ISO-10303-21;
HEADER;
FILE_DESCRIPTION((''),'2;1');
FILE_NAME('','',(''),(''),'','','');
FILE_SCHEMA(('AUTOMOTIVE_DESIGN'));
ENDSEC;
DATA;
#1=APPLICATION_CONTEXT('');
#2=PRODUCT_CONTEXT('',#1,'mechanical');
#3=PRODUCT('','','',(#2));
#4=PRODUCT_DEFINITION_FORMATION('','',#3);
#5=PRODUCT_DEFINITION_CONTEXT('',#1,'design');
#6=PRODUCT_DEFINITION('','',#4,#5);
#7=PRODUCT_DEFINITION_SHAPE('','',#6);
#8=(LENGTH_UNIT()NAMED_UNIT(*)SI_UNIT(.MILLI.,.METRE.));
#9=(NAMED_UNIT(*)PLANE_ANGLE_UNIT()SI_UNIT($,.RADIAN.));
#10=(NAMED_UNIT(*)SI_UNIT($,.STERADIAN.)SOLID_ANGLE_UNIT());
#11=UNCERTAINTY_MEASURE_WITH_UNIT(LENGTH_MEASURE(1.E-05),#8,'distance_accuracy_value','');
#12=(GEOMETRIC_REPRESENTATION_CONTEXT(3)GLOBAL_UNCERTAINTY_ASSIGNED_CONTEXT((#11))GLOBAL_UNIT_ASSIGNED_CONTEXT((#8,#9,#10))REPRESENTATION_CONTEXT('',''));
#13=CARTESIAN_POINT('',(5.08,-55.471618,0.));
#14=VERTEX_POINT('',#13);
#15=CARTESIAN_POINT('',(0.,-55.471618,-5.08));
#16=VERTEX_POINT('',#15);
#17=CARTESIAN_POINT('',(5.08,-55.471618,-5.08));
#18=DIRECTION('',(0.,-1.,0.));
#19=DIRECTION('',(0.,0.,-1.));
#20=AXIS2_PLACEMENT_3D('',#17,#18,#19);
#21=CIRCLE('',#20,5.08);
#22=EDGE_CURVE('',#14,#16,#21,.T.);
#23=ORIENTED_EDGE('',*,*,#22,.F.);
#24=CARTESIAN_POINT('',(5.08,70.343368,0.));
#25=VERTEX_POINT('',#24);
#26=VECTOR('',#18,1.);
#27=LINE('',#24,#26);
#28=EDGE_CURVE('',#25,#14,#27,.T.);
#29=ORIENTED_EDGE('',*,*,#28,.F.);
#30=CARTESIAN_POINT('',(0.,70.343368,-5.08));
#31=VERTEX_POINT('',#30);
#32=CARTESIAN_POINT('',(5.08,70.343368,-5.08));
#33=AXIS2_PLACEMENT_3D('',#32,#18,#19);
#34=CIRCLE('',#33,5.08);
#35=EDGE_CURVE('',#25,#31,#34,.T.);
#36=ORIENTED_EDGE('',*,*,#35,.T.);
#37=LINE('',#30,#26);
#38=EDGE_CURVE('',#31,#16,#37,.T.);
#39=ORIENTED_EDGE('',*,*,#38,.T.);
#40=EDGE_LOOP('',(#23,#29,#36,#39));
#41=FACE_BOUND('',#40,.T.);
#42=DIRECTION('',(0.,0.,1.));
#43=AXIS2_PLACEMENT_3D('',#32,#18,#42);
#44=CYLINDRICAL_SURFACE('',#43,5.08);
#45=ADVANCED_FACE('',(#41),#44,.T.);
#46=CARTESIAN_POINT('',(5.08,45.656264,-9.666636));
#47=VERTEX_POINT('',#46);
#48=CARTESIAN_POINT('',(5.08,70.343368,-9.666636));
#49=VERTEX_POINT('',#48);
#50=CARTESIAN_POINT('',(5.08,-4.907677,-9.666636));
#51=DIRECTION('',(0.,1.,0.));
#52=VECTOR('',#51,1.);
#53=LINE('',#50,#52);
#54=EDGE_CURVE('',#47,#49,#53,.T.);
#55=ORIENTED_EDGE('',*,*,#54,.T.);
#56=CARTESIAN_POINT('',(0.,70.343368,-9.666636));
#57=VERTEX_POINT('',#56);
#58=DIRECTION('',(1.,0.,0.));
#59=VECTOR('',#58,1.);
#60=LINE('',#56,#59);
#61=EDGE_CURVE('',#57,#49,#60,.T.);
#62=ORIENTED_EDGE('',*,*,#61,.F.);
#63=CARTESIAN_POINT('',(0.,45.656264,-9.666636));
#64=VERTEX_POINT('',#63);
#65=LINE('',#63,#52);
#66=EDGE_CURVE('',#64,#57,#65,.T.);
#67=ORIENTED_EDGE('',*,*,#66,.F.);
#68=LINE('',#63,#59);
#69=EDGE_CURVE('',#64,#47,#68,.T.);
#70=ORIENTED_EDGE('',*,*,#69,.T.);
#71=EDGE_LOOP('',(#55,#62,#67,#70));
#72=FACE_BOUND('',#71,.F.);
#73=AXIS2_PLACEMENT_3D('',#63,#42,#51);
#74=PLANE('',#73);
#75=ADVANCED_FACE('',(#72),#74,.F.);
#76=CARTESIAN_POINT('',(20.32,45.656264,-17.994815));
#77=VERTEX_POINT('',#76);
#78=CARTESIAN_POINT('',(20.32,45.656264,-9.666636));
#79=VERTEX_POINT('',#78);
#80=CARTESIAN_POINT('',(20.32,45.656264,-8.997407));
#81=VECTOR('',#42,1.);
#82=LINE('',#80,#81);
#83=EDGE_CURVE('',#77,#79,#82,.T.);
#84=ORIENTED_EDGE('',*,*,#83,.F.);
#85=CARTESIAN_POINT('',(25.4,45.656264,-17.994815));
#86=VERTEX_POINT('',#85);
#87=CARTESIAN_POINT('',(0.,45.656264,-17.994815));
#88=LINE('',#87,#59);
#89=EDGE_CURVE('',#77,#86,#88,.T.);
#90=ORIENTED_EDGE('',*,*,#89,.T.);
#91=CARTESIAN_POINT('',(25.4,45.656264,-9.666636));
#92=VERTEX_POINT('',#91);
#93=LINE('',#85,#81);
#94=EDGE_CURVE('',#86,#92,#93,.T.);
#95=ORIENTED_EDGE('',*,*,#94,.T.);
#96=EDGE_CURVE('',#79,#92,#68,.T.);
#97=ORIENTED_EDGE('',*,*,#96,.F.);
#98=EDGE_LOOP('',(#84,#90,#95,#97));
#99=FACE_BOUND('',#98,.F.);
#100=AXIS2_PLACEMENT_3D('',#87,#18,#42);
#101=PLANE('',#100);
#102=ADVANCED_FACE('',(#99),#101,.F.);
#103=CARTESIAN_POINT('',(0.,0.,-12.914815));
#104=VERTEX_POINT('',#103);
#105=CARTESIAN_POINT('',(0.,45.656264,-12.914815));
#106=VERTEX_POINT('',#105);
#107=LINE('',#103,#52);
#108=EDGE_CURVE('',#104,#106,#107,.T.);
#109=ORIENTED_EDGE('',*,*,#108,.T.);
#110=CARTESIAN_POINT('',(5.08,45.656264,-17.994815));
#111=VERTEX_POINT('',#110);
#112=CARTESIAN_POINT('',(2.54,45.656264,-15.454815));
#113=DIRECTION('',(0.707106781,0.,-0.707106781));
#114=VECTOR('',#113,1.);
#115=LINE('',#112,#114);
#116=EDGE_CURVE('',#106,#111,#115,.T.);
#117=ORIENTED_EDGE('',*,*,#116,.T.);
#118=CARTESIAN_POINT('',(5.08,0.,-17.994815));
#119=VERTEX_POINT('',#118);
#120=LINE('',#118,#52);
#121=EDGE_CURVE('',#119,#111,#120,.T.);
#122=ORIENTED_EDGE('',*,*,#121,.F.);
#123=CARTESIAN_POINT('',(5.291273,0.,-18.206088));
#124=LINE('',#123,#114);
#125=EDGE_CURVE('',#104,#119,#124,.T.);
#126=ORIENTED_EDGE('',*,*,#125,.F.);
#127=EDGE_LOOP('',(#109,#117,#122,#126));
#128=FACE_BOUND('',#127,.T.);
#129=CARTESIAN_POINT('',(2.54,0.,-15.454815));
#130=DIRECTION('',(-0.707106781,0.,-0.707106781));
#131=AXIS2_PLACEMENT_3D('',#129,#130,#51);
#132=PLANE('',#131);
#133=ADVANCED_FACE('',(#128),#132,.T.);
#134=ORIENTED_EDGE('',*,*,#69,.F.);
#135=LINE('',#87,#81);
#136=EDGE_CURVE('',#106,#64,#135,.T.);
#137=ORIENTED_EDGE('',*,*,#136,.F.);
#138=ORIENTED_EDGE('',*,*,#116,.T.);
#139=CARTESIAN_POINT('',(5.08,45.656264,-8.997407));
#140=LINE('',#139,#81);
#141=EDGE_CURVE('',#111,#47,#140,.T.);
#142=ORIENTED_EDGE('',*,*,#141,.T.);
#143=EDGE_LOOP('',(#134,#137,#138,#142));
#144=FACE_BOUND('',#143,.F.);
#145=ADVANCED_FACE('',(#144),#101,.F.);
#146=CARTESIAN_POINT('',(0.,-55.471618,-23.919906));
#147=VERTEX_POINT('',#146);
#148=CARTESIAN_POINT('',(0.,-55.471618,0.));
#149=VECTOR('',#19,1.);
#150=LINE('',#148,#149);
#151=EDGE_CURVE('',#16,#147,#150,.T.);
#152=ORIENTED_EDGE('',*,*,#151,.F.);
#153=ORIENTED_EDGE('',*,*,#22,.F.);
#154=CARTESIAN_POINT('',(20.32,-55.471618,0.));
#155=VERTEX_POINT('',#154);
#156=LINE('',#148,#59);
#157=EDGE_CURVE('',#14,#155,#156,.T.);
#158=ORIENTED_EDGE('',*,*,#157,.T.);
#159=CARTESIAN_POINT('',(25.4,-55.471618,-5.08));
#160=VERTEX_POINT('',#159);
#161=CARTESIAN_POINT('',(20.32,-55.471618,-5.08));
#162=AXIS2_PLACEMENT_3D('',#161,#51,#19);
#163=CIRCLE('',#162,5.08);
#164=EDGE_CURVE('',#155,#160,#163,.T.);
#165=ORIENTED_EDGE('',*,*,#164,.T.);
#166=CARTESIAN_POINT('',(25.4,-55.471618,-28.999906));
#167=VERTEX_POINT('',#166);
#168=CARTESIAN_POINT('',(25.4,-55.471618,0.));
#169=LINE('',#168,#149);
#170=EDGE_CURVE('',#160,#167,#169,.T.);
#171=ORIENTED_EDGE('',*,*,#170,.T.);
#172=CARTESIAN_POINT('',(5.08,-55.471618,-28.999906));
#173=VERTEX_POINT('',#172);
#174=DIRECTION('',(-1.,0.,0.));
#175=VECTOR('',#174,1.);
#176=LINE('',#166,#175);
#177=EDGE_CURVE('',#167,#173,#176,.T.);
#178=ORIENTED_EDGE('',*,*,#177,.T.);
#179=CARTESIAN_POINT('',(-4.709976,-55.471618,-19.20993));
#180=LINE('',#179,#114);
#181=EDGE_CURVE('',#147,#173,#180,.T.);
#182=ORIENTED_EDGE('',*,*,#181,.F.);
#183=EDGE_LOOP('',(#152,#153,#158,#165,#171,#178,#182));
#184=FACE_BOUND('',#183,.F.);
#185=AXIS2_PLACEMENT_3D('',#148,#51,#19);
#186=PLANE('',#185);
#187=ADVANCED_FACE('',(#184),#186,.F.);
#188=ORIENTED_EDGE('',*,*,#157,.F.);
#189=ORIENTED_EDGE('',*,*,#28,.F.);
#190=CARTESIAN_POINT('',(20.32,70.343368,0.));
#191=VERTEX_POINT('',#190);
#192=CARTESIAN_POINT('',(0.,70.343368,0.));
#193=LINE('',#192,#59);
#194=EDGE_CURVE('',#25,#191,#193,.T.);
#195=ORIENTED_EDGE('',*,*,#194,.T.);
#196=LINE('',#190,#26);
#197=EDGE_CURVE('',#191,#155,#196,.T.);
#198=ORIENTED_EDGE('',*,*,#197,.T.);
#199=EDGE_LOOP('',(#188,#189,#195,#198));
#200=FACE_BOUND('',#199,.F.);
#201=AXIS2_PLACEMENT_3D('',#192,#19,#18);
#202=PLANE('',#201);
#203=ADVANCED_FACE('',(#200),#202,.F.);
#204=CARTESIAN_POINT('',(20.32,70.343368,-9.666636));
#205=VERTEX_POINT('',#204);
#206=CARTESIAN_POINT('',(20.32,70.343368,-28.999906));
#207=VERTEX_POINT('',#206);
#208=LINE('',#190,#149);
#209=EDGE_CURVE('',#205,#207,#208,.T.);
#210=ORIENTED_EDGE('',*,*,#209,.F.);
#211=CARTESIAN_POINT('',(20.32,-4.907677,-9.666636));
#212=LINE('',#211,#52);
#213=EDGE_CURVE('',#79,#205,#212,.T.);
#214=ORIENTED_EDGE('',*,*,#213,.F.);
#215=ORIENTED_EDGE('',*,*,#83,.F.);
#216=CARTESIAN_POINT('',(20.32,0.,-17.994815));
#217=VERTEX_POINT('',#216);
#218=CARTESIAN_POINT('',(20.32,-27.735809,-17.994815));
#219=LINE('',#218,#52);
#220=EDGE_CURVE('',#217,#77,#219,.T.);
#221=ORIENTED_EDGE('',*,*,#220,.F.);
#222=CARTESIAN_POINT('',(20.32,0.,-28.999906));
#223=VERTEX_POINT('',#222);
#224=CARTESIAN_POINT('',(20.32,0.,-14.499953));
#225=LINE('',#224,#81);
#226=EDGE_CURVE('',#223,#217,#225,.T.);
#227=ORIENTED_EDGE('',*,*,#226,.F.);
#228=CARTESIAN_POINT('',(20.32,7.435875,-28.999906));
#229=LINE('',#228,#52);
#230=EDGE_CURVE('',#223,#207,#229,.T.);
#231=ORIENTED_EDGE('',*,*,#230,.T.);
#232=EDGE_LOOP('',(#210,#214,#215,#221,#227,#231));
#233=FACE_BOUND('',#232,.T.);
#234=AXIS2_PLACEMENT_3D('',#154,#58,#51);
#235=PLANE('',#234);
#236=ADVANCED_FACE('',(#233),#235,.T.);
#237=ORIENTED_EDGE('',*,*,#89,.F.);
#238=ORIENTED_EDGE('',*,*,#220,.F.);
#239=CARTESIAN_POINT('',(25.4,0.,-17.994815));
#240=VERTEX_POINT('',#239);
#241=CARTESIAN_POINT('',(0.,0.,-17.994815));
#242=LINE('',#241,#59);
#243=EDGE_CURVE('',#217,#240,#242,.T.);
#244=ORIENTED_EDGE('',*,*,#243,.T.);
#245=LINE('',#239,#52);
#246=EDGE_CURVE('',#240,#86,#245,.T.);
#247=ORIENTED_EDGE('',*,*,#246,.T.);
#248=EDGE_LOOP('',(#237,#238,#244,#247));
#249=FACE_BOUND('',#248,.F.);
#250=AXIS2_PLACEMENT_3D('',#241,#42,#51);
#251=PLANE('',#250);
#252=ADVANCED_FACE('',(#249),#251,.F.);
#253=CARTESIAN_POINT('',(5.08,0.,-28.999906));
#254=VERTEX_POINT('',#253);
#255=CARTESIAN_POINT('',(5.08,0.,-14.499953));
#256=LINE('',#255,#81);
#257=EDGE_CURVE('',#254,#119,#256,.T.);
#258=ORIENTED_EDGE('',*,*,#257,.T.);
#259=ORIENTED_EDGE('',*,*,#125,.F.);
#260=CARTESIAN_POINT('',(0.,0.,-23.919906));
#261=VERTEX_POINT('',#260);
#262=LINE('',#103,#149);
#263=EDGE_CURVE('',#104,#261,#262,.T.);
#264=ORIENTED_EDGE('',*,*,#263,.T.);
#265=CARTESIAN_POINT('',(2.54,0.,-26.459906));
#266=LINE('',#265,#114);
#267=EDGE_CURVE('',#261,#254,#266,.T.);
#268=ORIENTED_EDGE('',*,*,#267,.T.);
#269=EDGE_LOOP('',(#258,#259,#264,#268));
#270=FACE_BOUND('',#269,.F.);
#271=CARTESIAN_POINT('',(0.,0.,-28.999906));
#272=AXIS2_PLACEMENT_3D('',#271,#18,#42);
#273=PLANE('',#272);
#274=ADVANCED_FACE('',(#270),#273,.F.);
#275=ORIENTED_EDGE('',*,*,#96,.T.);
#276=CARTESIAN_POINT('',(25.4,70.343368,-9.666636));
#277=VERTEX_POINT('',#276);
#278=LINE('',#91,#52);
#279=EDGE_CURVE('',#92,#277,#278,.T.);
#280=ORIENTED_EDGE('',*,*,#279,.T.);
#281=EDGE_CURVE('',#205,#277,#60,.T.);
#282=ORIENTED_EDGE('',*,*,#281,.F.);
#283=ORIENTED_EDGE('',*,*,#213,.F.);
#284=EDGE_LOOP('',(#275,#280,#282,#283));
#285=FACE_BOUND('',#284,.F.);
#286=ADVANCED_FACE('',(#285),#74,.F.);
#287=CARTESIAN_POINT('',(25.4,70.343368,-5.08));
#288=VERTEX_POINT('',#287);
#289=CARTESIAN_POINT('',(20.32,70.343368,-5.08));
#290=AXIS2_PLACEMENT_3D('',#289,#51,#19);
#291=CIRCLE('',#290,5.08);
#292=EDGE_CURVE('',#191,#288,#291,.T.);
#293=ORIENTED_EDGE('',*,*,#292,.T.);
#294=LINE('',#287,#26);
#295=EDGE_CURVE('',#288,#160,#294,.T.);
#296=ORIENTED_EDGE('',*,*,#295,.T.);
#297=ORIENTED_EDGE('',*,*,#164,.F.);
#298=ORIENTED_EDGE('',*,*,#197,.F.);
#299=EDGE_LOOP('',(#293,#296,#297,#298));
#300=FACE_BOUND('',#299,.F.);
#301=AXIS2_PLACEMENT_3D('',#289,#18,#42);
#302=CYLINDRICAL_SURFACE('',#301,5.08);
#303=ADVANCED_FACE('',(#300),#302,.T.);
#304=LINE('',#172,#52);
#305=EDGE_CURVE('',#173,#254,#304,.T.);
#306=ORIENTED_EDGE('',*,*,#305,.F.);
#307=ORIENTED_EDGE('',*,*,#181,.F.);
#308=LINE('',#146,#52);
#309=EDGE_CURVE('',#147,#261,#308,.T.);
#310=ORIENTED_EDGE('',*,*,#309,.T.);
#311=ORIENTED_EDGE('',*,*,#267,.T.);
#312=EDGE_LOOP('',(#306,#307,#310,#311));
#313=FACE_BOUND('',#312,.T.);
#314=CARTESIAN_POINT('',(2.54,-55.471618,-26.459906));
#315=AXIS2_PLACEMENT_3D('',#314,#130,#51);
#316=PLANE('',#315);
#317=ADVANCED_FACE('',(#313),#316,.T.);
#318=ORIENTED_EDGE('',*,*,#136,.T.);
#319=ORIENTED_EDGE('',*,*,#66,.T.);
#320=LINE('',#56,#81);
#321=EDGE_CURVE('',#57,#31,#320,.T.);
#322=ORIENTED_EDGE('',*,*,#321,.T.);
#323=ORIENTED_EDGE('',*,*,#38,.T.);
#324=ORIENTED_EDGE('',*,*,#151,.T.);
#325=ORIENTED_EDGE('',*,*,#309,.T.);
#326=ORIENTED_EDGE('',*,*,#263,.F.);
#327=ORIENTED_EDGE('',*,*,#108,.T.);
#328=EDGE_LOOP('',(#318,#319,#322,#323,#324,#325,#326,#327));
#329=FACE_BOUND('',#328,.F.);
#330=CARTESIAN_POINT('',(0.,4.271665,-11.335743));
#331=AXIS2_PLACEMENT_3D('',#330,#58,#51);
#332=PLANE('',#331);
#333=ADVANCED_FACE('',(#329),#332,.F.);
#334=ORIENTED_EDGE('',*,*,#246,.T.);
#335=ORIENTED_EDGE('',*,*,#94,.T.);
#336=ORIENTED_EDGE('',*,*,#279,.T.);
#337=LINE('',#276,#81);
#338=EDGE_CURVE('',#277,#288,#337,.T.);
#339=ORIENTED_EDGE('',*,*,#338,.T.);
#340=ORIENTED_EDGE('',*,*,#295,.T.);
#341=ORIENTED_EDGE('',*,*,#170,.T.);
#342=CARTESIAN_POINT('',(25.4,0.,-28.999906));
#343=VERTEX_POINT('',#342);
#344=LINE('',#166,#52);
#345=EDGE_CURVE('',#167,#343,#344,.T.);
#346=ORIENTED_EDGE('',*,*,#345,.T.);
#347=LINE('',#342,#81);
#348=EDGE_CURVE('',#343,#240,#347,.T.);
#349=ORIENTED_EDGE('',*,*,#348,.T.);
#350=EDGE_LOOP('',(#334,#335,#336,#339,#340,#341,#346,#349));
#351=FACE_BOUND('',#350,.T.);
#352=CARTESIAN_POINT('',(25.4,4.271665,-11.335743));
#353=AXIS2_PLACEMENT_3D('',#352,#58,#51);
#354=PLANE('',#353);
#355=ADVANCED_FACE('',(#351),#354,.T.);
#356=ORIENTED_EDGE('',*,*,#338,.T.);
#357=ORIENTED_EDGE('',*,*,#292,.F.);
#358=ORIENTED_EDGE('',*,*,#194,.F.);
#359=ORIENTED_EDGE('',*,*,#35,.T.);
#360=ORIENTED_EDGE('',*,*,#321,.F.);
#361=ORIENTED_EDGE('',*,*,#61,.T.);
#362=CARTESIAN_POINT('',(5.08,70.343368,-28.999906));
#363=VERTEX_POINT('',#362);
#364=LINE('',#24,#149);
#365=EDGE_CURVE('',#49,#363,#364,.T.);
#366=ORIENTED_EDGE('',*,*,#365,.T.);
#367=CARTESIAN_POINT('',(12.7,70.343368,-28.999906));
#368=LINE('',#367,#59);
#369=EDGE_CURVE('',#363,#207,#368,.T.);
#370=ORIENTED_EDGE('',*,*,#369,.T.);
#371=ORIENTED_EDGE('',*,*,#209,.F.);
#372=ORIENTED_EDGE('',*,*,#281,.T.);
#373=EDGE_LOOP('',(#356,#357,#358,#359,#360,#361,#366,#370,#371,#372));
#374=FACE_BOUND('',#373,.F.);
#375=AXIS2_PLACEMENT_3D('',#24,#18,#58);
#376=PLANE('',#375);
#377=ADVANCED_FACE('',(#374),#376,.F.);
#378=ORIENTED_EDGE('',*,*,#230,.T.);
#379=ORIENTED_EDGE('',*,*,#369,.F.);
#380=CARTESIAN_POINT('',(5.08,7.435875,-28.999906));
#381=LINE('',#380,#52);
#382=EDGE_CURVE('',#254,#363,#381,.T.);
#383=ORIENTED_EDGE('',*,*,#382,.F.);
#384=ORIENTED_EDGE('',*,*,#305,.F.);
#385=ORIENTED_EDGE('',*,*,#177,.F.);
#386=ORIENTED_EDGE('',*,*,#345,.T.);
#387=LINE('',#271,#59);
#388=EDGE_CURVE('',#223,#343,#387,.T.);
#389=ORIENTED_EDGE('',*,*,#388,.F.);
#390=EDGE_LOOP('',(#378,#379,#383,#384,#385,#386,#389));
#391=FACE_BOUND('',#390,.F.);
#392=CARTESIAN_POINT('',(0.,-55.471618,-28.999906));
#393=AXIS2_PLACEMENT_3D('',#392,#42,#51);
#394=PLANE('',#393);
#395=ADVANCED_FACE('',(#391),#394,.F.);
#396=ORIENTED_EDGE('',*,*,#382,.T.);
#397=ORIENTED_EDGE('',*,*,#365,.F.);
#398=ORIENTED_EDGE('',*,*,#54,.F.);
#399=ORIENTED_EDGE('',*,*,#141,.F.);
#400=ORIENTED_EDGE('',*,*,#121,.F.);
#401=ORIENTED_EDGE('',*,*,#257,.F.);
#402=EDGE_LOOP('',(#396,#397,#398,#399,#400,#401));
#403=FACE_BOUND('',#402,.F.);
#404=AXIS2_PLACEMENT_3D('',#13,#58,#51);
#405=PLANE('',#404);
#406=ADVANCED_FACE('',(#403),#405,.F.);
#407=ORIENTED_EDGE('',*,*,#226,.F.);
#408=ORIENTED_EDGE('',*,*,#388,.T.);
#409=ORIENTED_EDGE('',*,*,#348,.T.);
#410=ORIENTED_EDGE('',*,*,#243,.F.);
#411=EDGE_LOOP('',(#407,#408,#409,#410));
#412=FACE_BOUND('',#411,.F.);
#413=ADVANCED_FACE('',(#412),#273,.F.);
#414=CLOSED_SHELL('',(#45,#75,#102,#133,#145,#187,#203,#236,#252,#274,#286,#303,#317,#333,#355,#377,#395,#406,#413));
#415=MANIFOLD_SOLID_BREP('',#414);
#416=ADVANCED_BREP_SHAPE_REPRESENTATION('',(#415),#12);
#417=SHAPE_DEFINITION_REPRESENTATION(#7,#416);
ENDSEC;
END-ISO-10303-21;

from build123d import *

# Parameters (mm, degrees)
F1_DEPTH  = 25.4
F2_R      = 5.08
F3_R      = 5.08
F4_SIZE   = 5.08
F5_R      = 6.332586
F1_FACE_W = 15.24
F1_FACE_H = 125.814986
F6_DEPTH  = 28.999906


with BuildPart() as f1:
    # F0 (on Right) → F1 (new body)
    with BuildSketch(Plane.YZ):
        Polygon((70.343368, 0), (-55.471618, 0), (-55.471618, -28.999906), (0, -28.999906), (0, -17.994815), (45.656264, -17.994815), (45.656264, -9.666636), (70.343368, -9.666636), align=None)
    extrude(amount=F1_DEPTH)

    # F2
    f2_edges = [f1.edges().sort_by_distance(p)[0] for p in [
        (25.4, 7.435875, 0),
    ]]
    fillet(f2_edges, radius=F2_R)

    # F3
    f3_edges = [f1.edges().sort_by_distance(p)[0] for p in [
        (0, 7.435875, 0),
    ]]
    fillet(f3_edges, radius=F3_R)

    # F4
    f4_edges = [f1.edges().sort_by_distance(p)[0] for p in [
        (0, -27.735809, -28.999906),
        (0, 22.828132, -17.994815),
    ]]
    chamfer(f4_edges, length=F4_SIZE)

    # F5 (on Top) + F1_face (on face) → F6 (join, through all)
    with BuildSketch(Plane.XY):
        with Locations((12.965518, 0)):
            Circle(F5_R)
    with BuildSketch(Plane(origin=(12.7, 7.435875, 0), x_dir=(1, 0, 0), z_dir=(0, 0, 1))):
        Rectangle(F1_FACE_W, F1_FACE_H)
    extrude(amount=-F6_DEPTH)


solid = f1.part
